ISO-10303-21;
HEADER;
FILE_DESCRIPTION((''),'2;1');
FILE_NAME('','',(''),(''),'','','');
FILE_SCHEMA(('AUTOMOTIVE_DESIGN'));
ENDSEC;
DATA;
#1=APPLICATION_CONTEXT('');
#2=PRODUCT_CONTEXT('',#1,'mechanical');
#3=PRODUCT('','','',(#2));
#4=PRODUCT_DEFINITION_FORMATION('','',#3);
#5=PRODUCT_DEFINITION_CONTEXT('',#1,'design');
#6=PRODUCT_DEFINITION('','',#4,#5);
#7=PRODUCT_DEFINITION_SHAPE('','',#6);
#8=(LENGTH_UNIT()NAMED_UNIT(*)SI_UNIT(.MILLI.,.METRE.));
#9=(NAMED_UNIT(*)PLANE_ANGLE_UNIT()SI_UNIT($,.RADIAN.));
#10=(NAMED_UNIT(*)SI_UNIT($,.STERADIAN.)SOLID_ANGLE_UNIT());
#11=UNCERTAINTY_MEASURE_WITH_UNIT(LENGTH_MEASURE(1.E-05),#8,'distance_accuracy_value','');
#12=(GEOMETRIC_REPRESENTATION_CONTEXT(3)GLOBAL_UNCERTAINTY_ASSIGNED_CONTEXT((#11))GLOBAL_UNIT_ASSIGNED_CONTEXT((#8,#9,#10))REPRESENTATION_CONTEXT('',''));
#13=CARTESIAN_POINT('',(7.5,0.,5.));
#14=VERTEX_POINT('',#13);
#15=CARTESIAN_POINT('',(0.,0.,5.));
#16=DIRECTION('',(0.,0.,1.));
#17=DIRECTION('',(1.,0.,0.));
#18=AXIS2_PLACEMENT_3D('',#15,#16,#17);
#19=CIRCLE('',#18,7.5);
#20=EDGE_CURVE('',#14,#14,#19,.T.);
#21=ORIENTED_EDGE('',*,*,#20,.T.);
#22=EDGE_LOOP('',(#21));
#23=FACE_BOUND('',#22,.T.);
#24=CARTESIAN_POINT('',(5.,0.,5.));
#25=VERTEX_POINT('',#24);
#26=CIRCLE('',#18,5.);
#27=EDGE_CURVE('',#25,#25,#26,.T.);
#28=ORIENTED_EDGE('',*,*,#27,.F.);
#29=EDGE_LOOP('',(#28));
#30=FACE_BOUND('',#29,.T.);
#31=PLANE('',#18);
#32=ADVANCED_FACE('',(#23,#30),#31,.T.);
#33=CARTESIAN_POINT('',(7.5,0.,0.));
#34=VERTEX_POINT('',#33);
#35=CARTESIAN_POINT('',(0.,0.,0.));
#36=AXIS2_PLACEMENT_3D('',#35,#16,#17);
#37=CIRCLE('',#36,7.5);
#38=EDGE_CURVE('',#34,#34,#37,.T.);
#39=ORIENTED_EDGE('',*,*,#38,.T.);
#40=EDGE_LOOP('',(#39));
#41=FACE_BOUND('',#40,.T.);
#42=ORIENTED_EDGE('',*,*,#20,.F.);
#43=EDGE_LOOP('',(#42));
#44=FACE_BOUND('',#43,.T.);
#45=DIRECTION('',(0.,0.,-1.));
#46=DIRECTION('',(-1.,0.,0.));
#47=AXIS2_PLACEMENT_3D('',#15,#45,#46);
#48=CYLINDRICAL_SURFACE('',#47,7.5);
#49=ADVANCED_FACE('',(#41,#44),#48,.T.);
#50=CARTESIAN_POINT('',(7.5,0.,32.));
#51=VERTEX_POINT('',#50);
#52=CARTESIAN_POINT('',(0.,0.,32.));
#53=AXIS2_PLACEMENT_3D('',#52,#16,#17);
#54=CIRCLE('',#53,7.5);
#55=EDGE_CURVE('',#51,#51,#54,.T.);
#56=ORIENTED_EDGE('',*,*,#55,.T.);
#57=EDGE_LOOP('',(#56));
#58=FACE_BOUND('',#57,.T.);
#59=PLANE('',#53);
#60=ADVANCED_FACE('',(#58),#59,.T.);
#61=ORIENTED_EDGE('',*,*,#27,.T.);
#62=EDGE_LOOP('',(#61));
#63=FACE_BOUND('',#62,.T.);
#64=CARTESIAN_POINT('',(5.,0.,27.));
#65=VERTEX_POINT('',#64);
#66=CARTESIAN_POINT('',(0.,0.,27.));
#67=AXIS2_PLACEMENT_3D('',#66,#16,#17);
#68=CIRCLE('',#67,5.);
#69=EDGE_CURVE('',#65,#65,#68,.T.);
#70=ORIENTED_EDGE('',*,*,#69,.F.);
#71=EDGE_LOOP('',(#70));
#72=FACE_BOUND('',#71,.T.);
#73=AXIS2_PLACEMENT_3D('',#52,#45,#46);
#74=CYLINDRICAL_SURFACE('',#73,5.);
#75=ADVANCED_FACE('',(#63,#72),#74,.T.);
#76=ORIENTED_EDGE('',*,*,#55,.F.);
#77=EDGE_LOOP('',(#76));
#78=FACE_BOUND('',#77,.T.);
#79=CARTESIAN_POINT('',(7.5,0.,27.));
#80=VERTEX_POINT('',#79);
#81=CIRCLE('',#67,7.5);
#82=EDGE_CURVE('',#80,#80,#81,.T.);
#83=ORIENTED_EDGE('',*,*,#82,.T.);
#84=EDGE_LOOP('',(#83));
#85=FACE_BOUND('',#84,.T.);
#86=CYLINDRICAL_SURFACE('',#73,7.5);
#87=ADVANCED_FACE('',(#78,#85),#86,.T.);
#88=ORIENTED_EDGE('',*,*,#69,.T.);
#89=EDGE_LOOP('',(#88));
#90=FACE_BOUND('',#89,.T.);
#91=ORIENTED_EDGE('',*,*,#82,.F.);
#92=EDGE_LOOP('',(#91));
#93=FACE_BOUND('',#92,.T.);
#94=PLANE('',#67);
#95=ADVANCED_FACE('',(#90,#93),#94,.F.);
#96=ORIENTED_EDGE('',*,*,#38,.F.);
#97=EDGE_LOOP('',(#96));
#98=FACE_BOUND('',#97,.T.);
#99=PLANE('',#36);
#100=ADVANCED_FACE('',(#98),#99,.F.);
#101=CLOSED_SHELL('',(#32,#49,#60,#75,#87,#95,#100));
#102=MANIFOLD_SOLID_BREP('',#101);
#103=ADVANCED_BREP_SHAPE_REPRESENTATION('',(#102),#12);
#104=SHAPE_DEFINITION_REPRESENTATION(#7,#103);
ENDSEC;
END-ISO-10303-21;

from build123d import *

# Parameters (mm, degrees)
SKETCH1_R           = 5
BOSS_EXTRUDE1_DEPTH = 32
SKETCH1_4_R         = 7.5
SKETCH1_4_R_2       = 5
BOSS_EXTRUDE2_DEPTH = 5
BOSS_EXTRUDE3_START = 27
SKETCH1_5_R         = 7.5
SKETCH1_5_R_2       = 5
BOSS_EXTRUDE3_DEPTH = 5


with BuildPart() as part:
    # Sketch1 → Boss-Extrude1 (new body)
    with BuildSketch(Plane.XY):
        Circle(SKETCH1_R)
    extrude(amount=BOSS_EXTRUDE1_DEPTH)

    # Sketch1<4> → Boss-Extrude2 (add)
    with BuildSketch(Plane.XY):
        Circle(SKETCH1_4_R)
        Circle(SKETCH1_4_R_2, mode=Mode.SUBTRACT)
    extrude(amount=BOSS_EXTRUDE2_DEPTH)

    # Sketch1<5> → Boss-Extrude3 (add)
    with BuildSketch(Plane.XY.offset(BOSS_EXTRUDE3_START)):
        Circle(SKETCH1_5_R)
        Circle(SKETCH1_5_R_2, mode=Mode.SUBTRACT)
    extrude(amount=BOSS_EXTRUDE3_DEPTH)


solid = part.part
